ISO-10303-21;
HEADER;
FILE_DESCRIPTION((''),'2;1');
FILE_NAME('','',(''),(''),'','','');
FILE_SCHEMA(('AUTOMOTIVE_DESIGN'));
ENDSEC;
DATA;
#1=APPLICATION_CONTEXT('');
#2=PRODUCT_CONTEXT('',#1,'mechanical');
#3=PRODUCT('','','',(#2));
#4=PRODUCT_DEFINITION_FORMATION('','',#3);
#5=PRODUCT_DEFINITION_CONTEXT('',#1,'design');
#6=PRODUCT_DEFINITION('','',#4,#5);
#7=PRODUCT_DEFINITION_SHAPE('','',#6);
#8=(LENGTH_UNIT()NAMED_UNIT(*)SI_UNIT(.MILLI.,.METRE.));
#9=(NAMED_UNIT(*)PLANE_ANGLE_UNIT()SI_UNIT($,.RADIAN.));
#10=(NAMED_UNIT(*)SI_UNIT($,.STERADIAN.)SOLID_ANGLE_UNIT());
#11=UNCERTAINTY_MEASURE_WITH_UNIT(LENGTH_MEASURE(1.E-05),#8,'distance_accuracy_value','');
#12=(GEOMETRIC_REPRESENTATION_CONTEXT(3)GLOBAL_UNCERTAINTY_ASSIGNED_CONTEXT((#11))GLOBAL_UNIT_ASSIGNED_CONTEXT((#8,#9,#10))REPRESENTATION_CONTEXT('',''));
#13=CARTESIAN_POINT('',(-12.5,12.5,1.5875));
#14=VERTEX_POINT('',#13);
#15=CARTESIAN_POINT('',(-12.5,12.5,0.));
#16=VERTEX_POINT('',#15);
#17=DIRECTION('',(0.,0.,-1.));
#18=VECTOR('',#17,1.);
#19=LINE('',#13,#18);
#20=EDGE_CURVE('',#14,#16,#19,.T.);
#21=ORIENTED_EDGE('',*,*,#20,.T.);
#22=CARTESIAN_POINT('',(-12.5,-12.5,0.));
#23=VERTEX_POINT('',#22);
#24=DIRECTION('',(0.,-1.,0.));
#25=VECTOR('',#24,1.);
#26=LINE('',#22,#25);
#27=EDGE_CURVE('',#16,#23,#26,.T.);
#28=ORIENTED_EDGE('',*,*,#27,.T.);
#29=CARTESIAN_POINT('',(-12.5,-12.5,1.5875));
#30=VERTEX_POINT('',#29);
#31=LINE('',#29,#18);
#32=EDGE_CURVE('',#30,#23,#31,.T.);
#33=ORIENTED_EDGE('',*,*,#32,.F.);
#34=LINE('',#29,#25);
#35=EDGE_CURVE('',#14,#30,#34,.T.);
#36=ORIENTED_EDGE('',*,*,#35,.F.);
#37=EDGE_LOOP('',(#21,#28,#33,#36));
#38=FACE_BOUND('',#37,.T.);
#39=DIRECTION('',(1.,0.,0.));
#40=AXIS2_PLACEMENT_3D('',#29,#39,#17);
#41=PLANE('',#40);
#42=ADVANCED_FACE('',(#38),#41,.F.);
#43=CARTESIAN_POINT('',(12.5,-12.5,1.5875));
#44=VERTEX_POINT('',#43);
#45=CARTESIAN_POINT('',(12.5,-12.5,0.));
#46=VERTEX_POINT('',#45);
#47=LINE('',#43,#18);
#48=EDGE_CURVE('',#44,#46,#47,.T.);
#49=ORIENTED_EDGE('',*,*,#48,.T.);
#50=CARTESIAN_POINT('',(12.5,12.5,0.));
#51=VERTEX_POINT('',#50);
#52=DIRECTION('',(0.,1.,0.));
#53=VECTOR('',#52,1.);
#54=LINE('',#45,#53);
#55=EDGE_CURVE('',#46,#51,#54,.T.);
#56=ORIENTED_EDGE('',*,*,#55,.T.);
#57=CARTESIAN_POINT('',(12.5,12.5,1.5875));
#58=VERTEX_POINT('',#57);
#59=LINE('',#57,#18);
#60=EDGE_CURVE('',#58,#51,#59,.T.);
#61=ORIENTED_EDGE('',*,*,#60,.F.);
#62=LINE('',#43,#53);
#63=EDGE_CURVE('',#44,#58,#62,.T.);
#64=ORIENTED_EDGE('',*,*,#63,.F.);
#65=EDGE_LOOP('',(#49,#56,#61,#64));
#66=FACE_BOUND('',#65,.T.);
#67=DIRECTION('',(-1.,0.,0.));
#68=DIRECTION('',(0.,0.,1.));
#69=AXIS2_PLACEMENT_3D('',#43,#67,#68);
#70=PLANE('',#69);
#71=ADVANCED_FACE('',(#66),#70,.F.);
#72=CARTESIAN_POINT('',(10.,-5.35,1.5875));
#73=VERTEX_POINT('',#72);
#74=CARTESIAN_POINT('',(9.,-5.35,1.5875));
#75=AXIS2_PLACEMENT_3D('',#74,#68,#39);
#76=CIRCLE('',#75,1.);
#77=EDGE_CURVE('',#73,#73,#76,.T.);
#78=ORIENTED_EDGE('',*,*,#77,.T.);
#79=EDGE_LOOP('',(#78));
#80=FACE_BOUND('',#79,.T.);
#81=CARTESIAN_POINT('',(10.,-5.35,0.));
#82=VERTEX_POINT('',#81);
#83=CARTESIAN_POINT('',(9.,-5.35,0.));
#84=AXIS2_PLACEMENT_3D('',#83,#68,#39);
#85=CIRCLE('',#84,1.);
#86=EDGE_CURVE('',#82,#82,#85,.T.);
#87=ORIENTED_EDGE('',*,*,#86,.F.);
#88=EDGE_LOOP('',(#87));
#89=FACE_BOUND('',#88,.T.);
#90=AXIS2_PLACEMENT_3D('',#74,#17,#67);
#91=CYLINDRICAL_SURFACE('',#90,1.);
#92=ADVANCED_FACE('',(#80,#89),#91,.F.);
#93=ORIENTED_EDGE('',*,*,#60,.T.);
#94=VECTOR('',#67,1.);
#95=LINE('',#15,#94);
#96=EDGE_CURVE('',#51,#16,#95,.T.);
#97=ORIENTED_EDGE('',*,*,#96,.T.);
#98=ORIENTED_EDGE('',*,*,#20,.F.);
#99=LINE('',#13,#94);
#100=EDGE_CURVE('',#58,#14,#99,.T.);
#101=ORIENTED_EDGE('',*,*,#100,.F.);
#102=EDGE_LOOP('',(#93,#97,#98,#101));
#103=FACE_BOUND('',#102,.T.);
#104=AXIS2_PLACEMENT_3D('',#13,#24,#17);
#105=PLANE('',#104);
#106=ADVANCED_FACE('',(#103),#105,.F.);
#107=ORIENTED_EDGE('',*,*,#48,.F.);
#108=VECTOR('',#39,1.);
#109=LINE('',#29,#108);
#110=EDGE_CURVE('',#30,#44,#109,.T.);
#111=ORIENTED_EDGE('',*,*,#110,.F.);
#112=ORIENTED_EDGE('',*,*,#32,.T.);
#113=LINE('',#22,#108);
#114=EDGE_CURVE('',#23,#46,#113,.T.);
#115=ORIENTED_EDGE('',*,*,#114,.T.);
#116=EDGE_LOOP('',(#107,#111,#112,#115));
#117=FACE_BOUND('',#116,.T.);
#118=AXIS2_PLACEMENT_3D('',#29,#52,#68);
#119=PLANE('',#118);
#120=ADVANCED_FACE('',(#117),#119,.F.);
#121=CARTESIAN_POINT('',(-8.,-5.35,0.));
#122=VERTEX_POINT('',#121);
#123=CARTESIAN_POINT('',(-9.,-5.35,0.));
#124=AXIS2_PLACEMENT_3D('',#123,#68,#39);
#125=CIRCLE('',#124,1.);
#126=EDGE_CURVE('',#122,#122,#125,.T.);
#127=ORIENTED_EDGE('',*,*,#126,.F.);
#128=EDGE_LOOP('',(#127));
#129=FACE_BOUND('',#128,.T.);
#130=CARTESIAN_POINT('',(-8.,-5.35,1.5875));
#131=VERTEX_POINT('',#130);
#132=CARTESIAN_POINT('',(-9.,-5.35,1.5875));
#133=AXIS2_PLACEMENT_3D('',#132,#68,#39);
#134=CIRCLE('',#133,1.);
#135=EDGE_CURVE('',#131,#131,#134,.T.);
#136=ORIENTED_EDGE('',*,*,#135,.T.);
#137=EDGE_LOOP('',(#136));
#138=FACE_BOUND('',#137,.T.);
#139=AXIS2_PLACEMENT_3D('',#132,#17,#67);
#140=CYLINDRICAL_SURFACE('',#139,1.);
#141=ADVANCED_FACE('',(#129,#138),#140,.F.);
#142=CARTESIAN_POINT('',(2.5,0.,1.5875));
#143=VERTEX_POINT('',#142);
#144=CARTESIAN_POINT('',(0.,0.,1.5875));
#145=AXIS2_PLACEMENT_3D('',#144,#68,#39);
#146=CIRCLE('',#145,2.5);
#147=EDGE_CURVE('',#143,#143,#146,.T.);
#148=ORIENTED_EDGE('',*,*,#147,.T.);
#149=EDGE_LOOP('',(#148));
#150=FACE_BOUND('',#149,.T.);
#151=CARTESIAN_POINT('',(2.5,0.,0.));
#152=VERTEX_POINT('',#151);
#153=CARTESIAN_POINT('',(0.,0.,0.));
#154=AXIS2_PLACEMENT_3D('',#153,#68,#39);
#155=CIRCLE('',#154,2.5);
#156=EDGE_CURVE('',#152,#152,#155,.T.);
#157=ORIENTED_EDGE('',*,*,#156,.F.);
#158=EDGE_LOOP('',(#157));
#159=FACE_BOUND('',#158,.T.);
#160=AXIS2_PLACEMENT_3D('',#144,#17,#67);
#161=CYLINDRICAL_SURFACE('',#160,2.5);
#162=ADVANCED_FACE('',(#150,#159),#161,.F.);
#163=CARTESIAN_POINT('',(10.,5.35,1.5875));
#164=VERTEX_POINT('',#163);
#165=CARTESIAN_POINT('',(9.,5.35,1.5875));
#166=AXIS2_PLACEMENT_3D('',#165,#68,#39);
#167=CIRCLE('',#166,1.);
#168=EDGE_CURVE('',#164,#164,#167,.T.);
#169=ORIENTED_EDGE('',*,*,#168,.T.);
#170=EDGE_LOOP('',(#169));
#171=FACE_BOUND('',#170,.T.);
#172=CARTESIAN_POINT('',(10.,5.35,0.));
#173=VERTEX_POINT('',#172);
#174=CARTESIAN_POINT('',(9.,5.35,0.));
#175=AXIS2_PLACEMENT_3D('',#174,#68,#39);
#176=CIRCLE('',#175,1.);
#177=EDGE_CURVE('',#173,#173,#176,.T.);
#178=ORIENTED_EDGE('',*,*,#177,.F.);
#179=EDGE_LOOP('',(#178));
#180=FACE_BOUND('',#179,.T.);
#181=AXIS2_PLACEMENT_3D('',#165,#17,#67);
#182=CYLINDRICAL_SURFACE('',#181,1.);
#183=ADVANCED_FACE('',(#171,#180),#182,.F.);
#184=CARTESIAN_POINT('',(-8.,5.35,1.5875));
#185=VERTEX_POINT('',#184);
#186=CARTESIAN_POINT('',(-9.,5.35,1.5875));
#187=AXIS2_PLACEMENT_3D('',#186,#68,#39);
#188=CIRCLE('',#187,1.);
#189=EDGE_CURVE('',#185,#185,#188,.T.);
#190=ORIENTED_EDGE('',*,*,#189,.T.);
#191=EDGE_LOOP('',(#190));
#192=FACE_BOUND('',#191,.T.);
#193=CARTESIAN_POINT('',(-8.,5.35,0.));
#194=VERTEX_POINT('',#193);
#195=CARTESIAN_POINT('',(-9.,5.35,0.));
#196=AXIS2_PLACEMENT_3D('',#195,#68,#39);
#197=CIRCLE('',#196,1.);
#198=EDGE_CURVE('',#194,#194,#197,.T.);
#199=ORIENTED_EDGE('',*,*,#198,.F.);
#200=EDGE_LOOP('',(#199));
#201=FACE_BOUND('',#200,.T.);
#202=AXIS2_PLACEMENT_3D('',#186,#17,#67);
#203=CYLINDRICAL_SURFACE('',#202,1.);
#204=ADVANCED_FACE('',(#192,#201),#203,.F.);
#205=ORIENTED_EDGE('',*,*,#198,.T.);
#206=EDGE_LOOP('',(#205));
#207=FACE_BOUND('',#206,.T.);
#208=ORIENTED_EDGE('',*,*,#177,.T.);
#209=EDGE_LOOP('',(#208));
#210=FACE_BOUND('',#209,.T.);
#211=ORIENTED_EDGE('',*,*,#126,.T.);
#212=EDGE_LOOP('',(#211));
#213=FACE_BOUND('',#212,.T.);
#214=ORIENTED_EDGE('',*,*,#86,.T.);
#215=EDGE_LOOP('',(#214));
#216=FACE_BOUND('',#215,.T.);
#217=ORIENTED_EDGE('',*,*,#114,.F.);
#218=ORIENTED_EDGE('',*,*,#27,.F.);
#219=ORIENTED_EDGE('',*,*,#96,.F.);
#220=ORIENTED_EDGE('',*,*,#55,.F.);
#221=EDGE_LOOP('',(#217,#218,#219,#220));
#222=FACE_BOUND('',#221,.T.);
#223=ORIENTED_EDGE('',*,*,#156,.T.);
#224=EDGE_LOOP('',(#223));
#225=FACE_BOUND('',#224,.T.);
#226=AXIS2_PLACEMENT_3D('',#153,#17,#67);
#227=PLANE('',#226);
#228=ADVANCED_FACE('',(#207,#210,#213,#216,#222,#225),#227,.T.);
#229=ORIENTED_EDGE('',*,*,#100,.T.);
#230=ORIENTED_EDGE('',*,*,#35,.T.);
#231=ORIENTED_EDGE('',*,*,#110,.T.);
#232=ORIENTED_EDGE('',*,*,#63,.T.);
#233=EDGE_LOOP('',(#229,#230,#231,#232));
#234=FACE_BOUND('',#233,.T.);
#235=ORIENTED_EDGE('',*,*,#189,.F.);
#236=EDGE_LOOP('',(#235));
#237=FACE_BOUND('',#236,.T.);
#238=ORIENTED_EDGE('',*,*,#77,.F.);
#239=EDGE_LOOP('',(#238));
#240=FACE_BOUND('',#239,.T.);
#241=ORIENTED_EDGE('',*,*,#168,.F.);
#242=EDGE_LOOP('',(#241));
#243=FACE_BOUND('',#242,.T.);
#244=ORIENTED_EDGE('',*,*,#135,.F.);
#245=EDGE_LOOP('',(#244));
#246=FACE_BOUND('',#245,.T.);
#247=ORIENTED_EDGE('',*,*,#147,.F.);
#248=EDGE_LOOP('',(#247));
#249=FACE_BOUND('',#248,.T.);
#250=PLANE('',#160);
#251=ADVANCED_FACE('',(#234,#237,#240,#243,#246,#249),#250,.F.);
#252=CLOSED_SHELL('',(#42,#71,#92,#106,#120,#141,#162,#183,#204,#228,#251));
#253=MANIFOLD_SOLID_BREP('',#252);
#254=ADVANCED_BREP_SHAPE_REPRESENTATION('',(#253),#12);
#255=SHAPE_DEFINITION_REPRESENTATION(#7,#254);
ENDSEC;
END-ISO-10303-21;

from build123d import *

# Parameters (mm, degrees)
ESQUISSE1_W        = 25
ESQUISSE1_H        = 25
ESQUISSE1_R        = 2.5
ESQUISSE1_R_2      = 1
BOSS_EXTRU_1_DEPTH = 1.5875


with BuildPart() as part:
    # Esquisse1 → Boss.-Extru.1 (new body)
    with BuildSketch(Plane.XY):
        Rectangle(ESQUISSE1_W, ESQUISSE1_H)
        Circle(ESQUISSE1_R, mode=Mode.SUBTRACT)
        with Locations((-9, 5.35)):
            Circle(ESQUISSE1_R_2, mode=Mode.SUBTRACT)
        with Locations((9, 5.35)):
            Circle(ESQUISSE1_R_2, mode=Mode.SUBTRACT)
        with Locations((-9, -5.35)):
            Circle(ESQUISSE1_R_2, mode=Mode.SUBTRACT)
        with Locations((9, -5.35)):
            Circle(ESQUISSE1_R_2, mode=Mode.SUBTRACT)
    extrude(amount=BOSS_EXTRU_1_DEPTH)


solid = part.part
